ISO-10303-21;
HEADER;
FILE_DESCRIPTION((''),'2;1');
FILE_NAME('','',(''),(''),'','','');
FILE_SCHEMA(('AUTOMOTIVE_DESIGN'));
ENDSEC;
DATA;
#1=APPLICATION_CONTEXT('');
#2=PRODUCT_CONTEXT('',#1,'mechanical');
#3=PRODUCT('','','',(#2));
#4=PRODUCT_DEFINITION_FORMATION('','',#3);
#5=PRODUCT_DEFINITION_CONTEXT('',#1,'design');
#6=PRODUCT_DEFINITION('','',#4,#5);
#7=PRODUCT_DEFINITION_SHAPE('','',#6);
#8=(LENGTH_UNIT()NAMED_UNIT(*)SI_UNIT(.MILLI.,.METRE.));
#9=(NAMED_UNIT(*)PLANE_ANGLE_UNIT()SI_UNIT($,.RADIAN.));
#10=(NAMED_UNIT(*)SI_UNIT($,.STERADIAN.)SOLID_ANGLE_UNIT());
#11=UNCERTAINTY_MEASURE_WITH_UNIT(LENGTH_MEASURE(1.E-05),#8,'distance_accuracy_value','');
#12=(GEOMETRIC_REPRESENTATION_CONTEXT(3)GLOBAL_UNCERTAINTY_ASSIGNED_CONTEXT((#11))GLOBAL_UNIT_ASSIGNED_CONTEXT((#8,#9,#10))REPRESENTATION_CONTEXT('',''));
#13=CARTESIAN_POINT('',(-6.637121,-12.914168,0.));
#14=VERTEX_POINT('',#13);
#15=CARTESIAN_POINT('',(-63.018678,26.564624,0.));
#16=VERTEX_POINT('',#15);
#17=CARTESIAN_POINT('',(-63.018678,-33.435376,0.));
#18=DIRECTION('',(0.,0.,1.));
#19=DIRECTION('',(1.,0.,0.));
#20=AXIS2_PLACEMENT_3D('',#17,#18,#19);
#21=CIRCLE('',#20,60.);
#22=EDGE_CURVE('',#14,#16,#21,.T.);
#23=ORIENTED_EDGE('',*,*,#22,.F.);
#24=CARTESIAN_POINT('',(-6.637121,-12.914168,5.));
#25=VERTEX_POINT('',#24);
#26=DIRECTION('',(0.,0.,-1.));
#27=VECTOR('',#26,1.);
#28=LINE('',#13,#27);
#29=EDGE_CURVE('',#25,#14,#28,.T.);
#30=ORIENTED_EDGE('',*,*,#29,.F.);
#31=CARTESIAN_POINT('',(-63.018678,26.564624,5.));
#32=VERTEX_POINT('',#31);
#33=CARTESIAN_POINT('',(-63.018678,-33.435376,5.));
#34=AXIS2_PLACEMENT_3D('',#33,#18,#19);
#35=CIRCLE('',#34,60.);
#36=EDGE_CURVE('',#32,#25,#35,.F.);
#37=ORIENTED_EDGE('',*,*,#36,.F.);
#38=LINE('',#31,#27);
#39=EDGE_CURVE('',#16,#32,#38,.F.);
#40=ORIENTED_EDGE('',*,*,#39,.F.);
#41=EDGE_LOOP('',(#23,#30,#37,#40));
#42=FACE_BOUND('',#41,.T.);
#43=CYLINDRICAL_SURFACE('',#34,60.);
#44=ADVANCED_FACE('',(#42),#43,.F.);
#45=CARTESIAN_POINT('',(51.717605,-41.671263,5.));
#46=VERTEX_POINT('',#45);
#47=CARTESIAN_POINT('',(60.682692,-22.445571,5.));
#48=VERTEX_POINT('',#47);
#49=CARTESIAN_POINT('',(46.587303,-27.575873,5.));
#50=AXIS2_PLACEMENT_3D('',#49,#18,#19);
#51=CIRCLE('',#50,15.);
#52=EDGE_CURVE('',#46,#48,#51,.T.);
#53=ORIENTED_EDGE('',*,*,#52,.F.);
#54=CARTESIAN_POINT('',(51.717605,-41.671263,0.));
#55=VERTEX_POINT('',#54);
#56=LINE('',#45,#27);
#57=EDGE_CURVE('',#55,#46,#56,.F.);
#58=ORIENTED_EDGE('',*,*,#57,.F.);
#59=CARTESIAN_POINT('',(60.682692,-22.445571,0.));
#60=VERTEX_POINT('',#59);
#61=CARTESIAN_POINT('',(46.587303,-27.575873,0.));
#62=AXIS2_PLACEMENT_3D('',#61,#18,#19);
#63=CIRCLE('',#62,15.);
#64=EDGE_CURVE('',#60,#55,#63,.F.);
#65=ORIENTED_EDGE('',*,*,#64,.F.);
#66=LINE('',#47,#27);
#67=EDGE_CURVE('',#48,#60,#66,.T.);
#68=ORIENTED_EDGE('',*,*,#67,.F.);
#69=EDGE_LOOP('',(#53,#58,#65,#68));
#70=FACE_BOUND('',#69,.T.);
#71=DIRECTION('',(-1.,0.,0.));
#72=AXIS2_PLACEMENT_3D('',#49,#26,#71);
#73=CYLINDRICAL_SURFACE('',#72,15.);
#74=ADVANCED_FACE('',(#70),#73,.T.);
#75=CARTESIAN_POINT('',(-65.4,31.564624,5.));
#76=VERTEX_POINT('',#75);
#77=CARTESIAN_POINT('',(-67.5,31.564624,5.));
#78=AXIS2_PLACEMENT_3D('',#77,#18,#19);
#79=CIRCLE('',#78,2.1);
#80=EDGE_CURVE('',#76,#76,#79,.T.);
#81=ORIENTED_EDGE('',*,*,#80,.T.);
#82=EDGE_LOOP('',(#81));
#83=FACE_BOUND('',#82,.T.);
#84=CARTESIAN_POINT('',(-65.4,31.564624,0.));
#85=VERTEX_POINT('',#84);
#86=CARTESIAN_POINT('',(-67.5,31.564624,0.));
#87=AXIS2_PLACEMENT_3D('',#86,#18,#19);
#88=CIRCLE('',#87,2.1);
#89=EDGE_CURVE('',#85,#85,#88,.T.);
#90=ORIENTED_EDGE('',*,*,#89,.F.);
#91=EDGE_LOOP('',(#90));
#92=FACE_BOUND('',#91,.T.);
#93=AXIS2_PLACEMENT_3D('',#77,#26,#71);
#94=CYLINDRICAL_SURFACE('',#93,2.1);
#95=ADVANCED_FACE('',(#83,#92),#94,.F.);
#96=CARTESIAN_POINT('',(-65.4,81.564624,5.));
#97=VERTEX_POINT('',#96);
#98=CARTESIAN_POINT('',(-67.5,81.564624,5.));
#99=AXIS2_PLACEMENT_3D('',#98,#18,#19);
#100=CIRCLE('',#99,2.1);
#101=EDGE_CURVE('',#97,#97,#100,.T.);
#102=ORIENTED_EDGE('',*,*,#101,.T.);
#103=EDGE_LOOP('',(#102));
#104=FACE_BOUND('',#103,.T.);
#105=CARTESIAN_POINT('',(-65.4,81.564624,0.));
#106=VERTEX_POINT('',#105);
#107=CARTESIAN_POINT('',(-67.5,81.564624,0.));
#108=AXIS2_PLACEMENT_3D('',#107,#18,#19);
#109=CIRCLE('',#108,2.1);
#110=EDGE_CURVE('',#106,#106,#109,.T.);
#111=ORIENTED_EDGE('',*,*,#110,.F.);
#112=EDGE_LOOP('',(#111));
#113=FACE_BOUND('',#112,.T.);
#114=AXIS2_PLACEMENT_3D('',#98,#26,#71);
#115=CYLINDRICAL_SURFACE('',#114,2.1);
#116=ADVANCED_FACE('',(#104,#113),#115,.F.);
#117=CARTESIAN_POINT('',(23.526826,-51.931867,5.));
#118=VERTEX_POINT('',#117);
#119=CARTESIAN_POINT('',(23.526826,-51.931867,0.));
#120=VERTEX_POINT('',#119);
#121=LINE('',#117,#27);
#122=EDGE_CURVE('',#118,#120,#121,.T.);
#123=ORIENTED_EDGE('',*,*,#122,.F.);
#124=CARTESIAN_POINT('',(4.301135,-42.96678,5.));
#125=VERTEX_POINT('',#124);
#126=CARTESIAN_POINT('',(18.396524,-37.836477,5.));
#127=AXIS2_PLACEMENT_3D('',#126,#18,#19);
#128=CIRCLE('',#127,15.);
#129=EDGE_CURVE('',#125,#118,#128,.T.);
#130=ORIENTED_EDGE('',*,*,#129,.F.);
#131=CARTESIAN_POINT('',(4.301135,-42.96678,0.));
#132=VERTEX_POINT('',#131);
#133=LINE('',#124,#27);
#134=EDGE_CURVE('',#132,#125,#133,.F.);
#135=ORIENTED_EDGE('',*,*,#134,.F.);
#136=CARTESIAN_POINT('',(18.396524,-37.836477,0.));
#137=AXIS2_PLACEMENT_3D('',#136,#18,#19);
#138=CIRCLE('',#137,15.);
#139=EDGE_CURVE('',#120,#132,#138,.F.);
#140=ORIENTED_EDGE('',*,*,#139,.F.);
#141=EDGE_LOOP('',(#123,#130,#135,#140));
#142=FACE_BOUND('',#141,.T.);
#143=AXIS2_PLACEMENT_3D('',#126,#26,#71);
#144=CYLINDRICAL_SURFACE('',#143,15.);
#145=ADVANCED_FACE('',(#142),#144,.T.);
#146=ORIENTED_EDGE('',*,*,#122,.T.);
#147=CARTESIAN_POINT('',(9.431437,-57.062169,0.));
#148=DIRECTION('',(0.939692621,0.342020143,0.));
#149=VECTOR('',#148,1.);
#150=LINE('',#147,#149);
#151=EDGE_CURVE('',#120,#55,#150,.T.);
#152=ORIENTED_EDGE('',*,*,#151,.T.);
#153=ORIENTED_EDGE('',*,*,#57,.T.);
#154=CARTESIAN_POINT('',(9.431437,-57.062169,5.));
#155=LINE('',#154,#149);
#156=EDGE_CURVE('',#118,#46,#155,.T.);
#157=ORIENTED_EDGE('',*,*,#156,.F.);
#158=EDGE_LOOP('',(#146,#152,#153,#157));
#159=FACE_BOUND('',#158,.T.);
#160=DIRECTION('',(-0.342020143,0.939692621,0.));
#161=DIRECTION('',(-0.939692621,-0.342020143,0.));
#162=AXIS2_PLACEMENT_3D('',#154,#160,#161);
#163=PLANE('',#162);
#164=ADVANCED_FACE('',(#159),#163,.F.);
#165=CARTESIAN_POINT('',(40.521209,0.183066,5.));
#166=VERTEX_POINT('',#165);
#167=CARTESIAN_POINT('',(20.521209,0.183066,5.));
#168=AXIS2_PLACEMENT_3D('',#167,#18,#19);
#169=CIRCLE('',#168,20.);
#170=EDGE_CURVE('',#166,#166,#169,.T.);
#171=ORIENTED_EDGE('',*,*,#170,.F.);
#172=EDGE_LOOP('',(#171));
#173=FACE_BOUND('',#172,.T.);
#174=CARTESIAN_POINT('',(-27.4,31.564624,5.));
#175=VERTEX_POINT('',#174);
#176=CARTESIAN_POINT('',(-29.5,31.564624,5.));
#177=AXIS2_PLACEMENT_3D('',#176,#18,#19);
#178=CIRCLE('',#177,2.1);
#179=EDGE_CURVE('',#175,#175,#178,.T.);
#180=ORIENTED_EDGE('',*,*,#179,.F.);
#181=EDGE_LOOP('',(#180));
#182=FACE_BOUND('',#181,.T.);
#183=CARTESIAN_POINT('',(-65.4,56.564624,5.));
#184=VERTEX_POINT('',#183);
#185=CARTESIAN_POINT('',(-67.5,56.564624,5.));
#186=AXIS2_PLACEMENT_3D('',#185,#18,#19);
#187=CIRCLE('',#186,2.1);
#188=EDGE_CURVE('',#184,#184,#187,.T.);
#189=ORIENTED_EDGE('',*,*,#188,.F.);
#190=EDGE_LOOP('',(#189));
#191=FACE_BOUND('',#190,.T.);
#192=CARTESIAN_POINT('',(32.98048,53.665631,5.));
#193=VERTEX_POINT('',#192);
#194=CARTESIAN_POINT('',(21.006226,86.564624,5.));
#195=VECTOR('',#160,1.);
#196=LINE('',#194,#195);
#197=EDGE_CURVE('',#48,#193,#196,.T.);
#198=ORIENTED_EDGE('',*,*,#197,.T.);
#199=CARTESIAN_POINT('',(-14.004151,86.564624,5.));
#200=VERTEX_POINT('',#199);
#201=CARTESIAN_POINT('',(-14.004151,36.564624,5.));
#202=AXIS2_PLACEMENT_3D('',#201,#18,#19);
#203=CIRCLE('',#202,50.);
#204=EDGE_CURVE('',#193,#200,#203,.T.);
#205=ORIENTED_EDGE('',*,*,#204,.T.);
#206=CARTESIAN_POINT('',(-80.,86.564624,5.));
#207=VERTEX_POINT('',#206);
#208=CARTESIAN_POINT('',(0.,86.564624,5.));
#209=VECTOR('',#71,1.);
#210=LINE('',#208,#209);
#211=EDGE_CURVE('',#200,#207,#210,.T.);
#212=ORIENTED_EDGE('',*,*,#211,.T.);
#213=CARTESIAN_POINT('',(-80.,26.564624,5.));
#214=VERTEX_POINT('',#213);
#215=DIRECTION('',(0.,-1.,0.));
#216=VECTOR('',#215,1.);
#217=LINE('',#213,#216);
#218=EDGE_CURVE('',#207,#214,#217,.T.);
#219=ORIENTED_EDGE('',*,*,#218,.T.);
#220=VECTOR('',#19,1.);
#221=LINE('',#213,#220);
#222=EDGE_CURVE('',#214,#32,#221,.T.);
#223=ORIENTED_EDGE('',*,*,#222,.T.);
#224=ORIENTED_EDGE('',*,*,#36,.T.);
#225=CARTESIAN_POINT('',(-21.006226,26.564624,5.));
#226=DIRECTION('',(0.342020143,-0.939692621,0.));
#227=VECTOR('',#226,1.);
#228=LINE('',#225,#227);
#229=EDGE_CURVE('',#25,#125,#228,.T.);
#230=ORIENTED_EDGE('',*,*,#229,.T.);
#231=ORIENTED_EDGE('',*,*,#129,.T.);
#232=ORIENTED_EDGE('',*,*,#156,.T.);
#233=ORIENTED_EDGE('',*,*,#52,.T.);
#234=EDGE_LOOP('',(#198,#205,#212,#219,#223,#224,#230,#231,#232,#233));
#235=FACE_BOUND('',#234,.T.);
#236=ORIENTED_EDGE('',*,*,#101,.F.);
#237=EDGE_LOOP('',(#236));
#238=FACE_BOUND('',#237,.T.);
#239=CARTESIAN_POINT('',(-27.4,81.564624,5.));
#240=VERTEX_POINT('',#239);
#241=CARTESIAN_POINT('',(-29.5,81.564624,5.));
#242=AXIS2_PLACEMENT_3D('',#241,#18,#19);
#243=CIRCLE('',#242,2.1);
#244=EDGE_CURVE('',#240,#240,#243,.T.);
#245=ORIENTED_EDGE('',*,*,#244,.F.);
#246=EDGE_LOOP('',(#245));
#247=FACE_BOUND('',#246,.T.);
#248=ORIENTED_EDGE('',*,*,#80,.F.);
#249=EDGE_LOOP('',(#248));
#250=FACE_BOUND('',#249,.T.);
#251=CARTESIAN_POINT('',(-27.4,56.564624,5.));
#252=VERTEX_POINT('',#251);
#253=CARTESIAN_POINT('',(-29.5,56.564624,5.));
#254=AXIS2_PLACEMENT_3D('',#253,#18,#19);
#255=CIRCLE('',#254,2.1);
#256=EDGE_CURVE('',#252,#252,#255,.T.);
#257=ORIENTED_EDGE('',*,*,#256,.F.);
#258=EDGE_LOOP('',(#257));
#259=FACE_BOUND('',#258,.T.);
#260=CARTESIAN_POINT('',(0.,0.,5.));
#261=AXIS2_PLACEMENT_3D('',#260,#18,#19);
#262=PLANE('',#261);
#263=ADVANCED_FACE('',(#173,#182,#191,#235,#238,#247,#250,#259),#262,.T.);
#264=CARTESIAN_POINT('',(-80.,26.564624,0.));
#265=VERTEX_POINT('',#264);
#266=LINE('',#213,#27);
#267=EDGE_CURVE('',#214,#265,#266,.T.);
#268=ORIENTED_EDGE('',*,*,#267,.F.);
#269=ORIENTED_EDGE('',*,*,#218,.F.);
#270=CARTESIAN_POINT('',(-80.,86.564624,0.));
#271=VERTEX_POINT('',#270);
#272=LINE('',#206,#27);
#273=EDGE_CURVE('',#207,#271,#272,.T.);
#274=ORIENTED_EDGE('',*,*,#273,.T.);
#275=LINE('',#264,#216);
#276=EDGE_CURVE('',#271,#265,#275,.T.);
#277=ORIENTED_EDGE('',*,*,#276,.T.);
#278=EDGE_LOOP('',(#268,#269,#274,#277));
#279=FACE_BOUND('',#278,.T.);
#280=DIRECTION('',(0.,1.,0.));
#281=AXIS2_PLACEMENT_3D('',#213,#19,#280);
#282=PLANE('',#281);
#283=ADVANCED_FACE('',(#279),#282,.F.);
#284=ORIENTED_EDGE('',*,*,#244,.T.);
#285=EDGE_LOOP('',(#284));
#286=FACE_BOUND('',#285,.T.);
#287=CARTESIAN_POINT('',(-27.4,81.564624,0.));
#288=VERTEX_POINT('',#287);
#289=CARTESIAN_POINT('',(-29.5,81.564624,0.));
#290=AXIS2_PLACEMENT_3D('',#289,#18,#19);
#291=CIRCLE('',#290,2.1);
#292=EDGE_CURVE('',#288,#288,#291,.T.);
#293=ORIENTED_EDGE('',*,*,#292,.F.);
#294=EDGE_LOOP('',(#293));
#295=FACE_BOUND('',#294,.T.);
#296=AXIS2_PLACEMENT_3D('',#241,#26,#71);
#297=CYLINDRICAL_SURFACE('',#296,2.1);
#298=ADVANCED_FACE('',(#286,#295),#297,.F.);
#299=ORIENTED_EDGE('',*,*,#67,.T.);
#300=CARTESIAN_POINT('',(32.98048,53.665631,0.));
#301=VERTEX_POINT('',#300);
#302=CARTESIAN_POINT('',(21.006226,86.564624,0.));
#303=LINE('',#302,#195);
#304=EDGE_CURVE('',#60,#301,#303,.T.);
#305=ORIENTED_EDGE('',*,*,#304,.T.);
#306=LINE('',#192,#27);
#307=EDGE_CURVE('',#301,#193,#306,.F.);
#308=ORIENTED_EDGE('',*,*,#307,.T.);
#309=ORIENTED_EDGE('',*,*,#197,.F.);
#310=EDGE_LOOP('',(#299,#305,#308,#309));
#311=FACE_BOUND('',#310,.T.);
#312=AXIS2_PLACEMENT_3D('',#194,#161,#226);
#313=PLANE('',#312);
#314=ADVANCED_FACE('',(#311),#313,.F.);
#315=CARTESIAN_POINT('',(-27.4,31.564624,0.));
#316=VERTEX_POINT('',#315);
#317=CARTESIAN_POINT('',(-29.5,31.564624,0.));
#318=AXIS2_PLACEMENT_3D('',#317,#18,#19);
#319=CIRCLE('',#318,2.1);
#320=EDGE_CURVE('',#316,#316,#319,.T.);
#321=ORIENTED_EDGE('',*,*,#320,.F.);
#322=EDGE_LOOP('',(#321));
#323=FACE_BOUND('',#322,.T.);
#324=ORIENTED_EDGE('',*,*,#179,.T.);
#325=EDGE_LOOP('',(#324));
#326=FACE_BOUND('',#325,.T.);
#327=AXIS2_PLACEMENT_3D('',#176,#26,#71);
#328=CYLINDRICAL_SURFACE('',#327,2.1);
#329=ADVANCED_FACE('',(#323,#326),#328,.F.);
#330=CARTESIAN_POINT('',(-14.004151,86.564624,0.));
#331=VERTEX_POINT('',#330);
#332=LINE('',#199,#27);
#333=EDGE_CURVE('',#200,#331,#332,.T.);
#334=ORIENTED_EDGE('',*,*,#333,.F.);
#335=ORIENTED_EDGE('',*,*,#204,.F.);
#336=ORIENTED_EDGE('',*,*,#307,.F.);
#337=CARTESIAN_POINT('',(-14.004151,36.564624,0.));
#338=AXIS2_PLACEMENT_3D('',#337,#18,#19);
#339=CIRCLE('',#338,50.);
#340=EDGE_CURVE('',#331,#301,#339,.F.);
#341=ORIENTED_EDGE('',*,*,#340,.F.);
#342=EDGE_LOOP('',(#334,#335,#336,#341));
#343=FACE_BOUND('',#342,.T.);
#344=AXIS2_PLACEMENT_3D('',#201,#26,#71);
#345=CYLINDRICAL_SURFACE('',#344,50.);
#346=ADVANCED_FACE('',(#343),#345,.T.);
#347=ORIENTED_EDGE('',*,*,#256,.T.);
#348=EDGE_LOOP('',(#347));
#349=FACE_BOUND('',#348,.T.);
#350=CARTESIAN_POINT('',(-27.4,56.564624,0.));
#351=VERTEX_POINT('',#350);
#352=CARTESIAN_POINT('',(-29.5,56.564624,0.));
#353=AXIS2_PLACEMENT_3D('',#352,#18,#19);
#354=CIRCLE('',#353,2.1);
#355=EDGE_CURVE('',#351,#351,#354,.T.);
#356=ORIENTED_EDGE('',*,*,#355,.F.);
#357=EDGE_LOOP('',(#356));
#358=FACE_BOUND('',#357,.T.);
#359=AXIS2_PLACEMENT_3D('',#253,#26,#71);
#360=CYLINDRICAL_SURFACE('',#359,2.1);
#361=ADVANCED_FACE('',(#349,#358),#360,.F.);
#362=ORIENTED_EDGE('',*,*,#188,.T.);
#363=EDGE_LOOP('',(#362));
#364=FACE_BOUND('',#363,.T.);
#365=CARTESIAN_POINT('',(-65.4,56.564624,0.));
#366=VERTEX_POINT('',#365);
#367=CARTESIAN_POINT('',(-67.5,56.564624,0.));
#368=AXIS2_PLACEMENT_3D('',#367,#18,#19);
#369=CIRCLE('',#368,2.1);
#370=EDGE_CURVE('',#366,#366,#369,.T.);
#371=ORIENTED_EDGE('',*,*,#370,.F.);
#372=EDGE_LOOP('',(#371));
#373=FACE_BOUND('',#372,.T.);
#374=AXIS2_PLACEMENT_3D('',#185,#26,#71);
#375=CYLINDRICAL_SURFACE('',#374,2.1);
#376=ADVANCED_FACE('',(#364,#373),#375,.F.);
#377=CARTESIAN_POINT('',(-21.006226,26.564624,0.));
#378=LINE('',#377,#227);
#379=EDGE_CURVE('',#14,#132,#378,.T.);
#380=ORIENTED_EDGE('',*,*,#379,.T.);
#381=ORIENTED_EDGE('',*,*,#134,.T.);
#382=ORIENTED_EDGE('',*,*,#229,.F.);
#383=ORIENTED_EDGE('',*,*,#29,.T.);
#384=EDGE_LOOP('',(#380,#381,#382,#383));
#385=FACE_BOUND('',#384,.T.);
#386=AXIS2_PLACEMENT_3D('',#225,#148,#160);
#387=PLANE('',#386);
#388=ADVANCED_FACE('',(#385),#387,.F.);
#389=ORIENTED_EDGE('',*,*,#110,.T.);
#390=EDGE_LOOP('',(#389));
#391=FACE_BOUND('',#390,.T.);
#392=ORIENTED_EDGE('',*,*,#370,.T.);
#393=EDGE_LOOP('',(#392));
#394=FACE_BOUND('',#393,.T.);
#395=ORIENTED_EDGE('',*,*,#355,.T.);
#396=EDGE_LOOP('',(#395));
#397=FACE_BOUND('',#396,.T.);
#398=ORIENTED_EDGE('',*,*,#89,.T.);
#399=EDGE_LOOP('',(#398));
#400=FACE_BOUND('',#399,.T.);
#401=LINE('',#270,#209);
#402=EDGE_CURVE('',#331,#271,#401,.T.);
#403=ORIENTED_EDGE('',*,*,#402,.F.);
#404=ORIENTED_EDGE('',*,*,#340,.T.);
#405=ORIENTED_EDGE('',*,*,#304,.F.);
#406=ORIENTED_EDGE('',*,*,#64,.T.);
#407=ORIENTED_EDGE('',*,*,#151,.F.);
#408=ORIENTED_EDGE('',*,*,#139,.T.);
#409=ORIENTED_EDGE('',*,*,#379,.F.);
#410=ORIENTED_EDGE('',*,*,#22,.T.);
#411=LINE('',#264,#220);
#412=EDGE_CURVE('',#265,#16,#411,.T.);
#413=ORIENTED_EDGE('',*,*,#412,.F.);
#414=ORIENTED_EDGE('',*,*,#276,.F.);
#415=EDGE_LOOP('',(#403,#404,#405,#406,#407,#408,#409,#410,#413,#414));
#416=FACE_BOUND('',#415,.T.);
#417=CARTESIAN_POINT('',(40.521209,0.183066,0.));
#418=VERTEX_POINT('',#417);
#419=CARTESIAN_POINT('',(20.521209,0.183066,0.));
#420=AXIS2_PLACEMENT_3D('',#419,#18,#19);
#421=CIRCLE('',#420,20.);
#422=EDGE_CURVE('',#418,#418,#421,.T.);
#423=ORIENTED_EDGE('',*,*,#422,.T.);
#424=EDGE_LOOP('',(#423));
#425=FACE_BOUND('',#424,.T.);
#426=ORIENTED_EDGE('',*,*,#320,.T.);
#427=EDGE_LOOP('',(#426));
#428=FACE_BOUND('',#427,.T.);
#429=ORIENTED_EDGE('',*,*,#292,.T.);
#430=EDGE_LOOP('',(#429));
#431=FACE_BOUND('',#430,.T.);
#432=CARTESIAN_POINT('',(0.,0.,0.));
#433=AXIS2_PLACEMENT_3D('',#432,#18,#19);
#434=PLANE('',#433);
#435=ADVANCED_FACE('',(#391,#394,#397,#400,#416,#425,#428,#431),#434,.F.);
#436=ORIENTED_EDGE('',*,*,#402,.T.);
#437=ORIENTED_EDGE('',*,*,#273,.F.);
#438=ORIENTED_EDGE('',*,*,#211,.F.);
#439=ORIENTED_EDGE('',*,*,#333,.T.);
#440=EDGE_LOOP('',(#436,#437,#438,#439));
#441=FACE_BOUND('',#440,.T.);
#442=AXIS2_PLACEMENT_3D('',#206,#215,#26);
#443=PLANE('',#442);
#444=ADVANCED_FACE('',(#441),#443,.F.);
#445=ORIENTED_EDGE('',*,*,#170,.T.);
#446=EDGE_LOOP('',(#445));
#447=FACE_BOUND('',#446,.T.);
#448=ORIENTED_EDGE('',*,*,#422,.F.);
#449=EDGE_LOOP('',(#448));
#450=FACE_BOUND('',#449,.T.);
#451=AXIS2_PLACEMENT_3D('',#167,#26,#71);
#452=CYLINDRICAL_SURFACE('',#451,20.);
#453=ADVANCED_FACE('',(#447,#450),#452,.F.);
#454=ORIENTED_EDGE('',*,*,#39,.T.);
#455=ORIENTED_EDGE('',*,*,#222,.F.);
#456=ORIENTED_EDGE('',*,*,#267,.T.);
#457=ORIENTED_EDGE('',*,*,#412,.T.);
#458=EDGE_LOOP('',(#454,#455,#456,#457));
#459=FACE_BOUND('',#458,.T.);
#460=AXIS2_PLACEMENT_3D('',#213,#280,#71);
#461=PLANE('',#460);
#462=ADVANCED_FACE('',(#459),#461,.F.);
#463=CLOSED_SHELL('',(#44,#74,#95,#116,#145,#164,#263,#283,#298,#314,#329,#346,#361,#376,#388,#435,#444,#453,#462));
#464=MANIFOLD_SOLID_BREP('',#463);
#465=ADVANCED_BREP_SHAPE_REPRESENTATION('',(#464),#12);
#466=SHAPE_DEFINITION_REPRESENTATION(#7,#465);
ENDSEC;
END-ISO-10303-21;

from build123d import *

# Parameters (mm, degrees)
SKETCH1_R           = 20
SKETCH1_R_2         = 2.1
BOSS_EXTRUDE1_DEPTH = 5
FILLET1_R           = 50
FILLET2_R           = 60
FILLET3_R           = 15


with BuildPart() as part:
    # Sketch1 → Boss-Extrude1 (new body)
    with BuildSketch(Plane.XY):
        Polygon((-80, 26.564623636), (-80, 86.564623636), (0, 86.564623636), (21.006226146, 86.564623636), (65.812994389, -36.540960351), (9.431437142, -57.06216895), (-21.006226146, 26.564623636), align=None)
        with Locations((20.5212086, 0.183066389)):
            Circle(SKETCH1_R, mode=Mode.SUBTRACT)
        with Locations((-67.5, 81.564623636)):
            Circle(SKETCH1_R_2, mode=Mode.SUBTRACT)
        with Locations((-67.5, 56.564623636)):
            Circle(SKETCH1_R_2, mode=Mode.SUBTRACT)
        with Locations((-67.5, 31.564623636)):
            Circle(SKETCH1_R_2, mode=Mode.SUBTRACT)
        with Locations((-29.5, 81.564623636)):
            Circle(SKETCH1_R_2, mode=Mode.SUBTRACT)
        with Locations((-29.5, 56.564623636)):
            Circle(SKETCH1_R_2, mode=Mode.SUBTRACT)
        with Locations((-29.5, 31.564623636)):
            Circle(SKETCH1_R_2, mode=Mode.SUBTRACT)
    extrude(amount=BOSS_EXTRUDE1_DEPTH)

    # Fillet1
    fillet1_edges = [part.edges().sort_by_distance(p)[0] for p in [
        (21.006226146, 86.564623636, 2.5),
    ]]
    fillet(fillet1_edges, radius=FILLET1_R)

    # Fillet2
    fillet2_edges = [part.edges().sort_by_distance(p)[0] for p in [
        (-21.006226146, 26.564623636, 2.5),
    ]]
    fillet(fillet2_edges, radius=FILLET2_R)

    # Fillet3
    fillet3_edges = [part.edges().sort_by_distance(p)[0] for p in [
        (65.812994389, -36.540960351, 2.5),
        (9.431437142, -57.06216895, 2.5),
    ]]
    fillet(fillet3_edges, radius=FILLET3_R)


solid = part.part
